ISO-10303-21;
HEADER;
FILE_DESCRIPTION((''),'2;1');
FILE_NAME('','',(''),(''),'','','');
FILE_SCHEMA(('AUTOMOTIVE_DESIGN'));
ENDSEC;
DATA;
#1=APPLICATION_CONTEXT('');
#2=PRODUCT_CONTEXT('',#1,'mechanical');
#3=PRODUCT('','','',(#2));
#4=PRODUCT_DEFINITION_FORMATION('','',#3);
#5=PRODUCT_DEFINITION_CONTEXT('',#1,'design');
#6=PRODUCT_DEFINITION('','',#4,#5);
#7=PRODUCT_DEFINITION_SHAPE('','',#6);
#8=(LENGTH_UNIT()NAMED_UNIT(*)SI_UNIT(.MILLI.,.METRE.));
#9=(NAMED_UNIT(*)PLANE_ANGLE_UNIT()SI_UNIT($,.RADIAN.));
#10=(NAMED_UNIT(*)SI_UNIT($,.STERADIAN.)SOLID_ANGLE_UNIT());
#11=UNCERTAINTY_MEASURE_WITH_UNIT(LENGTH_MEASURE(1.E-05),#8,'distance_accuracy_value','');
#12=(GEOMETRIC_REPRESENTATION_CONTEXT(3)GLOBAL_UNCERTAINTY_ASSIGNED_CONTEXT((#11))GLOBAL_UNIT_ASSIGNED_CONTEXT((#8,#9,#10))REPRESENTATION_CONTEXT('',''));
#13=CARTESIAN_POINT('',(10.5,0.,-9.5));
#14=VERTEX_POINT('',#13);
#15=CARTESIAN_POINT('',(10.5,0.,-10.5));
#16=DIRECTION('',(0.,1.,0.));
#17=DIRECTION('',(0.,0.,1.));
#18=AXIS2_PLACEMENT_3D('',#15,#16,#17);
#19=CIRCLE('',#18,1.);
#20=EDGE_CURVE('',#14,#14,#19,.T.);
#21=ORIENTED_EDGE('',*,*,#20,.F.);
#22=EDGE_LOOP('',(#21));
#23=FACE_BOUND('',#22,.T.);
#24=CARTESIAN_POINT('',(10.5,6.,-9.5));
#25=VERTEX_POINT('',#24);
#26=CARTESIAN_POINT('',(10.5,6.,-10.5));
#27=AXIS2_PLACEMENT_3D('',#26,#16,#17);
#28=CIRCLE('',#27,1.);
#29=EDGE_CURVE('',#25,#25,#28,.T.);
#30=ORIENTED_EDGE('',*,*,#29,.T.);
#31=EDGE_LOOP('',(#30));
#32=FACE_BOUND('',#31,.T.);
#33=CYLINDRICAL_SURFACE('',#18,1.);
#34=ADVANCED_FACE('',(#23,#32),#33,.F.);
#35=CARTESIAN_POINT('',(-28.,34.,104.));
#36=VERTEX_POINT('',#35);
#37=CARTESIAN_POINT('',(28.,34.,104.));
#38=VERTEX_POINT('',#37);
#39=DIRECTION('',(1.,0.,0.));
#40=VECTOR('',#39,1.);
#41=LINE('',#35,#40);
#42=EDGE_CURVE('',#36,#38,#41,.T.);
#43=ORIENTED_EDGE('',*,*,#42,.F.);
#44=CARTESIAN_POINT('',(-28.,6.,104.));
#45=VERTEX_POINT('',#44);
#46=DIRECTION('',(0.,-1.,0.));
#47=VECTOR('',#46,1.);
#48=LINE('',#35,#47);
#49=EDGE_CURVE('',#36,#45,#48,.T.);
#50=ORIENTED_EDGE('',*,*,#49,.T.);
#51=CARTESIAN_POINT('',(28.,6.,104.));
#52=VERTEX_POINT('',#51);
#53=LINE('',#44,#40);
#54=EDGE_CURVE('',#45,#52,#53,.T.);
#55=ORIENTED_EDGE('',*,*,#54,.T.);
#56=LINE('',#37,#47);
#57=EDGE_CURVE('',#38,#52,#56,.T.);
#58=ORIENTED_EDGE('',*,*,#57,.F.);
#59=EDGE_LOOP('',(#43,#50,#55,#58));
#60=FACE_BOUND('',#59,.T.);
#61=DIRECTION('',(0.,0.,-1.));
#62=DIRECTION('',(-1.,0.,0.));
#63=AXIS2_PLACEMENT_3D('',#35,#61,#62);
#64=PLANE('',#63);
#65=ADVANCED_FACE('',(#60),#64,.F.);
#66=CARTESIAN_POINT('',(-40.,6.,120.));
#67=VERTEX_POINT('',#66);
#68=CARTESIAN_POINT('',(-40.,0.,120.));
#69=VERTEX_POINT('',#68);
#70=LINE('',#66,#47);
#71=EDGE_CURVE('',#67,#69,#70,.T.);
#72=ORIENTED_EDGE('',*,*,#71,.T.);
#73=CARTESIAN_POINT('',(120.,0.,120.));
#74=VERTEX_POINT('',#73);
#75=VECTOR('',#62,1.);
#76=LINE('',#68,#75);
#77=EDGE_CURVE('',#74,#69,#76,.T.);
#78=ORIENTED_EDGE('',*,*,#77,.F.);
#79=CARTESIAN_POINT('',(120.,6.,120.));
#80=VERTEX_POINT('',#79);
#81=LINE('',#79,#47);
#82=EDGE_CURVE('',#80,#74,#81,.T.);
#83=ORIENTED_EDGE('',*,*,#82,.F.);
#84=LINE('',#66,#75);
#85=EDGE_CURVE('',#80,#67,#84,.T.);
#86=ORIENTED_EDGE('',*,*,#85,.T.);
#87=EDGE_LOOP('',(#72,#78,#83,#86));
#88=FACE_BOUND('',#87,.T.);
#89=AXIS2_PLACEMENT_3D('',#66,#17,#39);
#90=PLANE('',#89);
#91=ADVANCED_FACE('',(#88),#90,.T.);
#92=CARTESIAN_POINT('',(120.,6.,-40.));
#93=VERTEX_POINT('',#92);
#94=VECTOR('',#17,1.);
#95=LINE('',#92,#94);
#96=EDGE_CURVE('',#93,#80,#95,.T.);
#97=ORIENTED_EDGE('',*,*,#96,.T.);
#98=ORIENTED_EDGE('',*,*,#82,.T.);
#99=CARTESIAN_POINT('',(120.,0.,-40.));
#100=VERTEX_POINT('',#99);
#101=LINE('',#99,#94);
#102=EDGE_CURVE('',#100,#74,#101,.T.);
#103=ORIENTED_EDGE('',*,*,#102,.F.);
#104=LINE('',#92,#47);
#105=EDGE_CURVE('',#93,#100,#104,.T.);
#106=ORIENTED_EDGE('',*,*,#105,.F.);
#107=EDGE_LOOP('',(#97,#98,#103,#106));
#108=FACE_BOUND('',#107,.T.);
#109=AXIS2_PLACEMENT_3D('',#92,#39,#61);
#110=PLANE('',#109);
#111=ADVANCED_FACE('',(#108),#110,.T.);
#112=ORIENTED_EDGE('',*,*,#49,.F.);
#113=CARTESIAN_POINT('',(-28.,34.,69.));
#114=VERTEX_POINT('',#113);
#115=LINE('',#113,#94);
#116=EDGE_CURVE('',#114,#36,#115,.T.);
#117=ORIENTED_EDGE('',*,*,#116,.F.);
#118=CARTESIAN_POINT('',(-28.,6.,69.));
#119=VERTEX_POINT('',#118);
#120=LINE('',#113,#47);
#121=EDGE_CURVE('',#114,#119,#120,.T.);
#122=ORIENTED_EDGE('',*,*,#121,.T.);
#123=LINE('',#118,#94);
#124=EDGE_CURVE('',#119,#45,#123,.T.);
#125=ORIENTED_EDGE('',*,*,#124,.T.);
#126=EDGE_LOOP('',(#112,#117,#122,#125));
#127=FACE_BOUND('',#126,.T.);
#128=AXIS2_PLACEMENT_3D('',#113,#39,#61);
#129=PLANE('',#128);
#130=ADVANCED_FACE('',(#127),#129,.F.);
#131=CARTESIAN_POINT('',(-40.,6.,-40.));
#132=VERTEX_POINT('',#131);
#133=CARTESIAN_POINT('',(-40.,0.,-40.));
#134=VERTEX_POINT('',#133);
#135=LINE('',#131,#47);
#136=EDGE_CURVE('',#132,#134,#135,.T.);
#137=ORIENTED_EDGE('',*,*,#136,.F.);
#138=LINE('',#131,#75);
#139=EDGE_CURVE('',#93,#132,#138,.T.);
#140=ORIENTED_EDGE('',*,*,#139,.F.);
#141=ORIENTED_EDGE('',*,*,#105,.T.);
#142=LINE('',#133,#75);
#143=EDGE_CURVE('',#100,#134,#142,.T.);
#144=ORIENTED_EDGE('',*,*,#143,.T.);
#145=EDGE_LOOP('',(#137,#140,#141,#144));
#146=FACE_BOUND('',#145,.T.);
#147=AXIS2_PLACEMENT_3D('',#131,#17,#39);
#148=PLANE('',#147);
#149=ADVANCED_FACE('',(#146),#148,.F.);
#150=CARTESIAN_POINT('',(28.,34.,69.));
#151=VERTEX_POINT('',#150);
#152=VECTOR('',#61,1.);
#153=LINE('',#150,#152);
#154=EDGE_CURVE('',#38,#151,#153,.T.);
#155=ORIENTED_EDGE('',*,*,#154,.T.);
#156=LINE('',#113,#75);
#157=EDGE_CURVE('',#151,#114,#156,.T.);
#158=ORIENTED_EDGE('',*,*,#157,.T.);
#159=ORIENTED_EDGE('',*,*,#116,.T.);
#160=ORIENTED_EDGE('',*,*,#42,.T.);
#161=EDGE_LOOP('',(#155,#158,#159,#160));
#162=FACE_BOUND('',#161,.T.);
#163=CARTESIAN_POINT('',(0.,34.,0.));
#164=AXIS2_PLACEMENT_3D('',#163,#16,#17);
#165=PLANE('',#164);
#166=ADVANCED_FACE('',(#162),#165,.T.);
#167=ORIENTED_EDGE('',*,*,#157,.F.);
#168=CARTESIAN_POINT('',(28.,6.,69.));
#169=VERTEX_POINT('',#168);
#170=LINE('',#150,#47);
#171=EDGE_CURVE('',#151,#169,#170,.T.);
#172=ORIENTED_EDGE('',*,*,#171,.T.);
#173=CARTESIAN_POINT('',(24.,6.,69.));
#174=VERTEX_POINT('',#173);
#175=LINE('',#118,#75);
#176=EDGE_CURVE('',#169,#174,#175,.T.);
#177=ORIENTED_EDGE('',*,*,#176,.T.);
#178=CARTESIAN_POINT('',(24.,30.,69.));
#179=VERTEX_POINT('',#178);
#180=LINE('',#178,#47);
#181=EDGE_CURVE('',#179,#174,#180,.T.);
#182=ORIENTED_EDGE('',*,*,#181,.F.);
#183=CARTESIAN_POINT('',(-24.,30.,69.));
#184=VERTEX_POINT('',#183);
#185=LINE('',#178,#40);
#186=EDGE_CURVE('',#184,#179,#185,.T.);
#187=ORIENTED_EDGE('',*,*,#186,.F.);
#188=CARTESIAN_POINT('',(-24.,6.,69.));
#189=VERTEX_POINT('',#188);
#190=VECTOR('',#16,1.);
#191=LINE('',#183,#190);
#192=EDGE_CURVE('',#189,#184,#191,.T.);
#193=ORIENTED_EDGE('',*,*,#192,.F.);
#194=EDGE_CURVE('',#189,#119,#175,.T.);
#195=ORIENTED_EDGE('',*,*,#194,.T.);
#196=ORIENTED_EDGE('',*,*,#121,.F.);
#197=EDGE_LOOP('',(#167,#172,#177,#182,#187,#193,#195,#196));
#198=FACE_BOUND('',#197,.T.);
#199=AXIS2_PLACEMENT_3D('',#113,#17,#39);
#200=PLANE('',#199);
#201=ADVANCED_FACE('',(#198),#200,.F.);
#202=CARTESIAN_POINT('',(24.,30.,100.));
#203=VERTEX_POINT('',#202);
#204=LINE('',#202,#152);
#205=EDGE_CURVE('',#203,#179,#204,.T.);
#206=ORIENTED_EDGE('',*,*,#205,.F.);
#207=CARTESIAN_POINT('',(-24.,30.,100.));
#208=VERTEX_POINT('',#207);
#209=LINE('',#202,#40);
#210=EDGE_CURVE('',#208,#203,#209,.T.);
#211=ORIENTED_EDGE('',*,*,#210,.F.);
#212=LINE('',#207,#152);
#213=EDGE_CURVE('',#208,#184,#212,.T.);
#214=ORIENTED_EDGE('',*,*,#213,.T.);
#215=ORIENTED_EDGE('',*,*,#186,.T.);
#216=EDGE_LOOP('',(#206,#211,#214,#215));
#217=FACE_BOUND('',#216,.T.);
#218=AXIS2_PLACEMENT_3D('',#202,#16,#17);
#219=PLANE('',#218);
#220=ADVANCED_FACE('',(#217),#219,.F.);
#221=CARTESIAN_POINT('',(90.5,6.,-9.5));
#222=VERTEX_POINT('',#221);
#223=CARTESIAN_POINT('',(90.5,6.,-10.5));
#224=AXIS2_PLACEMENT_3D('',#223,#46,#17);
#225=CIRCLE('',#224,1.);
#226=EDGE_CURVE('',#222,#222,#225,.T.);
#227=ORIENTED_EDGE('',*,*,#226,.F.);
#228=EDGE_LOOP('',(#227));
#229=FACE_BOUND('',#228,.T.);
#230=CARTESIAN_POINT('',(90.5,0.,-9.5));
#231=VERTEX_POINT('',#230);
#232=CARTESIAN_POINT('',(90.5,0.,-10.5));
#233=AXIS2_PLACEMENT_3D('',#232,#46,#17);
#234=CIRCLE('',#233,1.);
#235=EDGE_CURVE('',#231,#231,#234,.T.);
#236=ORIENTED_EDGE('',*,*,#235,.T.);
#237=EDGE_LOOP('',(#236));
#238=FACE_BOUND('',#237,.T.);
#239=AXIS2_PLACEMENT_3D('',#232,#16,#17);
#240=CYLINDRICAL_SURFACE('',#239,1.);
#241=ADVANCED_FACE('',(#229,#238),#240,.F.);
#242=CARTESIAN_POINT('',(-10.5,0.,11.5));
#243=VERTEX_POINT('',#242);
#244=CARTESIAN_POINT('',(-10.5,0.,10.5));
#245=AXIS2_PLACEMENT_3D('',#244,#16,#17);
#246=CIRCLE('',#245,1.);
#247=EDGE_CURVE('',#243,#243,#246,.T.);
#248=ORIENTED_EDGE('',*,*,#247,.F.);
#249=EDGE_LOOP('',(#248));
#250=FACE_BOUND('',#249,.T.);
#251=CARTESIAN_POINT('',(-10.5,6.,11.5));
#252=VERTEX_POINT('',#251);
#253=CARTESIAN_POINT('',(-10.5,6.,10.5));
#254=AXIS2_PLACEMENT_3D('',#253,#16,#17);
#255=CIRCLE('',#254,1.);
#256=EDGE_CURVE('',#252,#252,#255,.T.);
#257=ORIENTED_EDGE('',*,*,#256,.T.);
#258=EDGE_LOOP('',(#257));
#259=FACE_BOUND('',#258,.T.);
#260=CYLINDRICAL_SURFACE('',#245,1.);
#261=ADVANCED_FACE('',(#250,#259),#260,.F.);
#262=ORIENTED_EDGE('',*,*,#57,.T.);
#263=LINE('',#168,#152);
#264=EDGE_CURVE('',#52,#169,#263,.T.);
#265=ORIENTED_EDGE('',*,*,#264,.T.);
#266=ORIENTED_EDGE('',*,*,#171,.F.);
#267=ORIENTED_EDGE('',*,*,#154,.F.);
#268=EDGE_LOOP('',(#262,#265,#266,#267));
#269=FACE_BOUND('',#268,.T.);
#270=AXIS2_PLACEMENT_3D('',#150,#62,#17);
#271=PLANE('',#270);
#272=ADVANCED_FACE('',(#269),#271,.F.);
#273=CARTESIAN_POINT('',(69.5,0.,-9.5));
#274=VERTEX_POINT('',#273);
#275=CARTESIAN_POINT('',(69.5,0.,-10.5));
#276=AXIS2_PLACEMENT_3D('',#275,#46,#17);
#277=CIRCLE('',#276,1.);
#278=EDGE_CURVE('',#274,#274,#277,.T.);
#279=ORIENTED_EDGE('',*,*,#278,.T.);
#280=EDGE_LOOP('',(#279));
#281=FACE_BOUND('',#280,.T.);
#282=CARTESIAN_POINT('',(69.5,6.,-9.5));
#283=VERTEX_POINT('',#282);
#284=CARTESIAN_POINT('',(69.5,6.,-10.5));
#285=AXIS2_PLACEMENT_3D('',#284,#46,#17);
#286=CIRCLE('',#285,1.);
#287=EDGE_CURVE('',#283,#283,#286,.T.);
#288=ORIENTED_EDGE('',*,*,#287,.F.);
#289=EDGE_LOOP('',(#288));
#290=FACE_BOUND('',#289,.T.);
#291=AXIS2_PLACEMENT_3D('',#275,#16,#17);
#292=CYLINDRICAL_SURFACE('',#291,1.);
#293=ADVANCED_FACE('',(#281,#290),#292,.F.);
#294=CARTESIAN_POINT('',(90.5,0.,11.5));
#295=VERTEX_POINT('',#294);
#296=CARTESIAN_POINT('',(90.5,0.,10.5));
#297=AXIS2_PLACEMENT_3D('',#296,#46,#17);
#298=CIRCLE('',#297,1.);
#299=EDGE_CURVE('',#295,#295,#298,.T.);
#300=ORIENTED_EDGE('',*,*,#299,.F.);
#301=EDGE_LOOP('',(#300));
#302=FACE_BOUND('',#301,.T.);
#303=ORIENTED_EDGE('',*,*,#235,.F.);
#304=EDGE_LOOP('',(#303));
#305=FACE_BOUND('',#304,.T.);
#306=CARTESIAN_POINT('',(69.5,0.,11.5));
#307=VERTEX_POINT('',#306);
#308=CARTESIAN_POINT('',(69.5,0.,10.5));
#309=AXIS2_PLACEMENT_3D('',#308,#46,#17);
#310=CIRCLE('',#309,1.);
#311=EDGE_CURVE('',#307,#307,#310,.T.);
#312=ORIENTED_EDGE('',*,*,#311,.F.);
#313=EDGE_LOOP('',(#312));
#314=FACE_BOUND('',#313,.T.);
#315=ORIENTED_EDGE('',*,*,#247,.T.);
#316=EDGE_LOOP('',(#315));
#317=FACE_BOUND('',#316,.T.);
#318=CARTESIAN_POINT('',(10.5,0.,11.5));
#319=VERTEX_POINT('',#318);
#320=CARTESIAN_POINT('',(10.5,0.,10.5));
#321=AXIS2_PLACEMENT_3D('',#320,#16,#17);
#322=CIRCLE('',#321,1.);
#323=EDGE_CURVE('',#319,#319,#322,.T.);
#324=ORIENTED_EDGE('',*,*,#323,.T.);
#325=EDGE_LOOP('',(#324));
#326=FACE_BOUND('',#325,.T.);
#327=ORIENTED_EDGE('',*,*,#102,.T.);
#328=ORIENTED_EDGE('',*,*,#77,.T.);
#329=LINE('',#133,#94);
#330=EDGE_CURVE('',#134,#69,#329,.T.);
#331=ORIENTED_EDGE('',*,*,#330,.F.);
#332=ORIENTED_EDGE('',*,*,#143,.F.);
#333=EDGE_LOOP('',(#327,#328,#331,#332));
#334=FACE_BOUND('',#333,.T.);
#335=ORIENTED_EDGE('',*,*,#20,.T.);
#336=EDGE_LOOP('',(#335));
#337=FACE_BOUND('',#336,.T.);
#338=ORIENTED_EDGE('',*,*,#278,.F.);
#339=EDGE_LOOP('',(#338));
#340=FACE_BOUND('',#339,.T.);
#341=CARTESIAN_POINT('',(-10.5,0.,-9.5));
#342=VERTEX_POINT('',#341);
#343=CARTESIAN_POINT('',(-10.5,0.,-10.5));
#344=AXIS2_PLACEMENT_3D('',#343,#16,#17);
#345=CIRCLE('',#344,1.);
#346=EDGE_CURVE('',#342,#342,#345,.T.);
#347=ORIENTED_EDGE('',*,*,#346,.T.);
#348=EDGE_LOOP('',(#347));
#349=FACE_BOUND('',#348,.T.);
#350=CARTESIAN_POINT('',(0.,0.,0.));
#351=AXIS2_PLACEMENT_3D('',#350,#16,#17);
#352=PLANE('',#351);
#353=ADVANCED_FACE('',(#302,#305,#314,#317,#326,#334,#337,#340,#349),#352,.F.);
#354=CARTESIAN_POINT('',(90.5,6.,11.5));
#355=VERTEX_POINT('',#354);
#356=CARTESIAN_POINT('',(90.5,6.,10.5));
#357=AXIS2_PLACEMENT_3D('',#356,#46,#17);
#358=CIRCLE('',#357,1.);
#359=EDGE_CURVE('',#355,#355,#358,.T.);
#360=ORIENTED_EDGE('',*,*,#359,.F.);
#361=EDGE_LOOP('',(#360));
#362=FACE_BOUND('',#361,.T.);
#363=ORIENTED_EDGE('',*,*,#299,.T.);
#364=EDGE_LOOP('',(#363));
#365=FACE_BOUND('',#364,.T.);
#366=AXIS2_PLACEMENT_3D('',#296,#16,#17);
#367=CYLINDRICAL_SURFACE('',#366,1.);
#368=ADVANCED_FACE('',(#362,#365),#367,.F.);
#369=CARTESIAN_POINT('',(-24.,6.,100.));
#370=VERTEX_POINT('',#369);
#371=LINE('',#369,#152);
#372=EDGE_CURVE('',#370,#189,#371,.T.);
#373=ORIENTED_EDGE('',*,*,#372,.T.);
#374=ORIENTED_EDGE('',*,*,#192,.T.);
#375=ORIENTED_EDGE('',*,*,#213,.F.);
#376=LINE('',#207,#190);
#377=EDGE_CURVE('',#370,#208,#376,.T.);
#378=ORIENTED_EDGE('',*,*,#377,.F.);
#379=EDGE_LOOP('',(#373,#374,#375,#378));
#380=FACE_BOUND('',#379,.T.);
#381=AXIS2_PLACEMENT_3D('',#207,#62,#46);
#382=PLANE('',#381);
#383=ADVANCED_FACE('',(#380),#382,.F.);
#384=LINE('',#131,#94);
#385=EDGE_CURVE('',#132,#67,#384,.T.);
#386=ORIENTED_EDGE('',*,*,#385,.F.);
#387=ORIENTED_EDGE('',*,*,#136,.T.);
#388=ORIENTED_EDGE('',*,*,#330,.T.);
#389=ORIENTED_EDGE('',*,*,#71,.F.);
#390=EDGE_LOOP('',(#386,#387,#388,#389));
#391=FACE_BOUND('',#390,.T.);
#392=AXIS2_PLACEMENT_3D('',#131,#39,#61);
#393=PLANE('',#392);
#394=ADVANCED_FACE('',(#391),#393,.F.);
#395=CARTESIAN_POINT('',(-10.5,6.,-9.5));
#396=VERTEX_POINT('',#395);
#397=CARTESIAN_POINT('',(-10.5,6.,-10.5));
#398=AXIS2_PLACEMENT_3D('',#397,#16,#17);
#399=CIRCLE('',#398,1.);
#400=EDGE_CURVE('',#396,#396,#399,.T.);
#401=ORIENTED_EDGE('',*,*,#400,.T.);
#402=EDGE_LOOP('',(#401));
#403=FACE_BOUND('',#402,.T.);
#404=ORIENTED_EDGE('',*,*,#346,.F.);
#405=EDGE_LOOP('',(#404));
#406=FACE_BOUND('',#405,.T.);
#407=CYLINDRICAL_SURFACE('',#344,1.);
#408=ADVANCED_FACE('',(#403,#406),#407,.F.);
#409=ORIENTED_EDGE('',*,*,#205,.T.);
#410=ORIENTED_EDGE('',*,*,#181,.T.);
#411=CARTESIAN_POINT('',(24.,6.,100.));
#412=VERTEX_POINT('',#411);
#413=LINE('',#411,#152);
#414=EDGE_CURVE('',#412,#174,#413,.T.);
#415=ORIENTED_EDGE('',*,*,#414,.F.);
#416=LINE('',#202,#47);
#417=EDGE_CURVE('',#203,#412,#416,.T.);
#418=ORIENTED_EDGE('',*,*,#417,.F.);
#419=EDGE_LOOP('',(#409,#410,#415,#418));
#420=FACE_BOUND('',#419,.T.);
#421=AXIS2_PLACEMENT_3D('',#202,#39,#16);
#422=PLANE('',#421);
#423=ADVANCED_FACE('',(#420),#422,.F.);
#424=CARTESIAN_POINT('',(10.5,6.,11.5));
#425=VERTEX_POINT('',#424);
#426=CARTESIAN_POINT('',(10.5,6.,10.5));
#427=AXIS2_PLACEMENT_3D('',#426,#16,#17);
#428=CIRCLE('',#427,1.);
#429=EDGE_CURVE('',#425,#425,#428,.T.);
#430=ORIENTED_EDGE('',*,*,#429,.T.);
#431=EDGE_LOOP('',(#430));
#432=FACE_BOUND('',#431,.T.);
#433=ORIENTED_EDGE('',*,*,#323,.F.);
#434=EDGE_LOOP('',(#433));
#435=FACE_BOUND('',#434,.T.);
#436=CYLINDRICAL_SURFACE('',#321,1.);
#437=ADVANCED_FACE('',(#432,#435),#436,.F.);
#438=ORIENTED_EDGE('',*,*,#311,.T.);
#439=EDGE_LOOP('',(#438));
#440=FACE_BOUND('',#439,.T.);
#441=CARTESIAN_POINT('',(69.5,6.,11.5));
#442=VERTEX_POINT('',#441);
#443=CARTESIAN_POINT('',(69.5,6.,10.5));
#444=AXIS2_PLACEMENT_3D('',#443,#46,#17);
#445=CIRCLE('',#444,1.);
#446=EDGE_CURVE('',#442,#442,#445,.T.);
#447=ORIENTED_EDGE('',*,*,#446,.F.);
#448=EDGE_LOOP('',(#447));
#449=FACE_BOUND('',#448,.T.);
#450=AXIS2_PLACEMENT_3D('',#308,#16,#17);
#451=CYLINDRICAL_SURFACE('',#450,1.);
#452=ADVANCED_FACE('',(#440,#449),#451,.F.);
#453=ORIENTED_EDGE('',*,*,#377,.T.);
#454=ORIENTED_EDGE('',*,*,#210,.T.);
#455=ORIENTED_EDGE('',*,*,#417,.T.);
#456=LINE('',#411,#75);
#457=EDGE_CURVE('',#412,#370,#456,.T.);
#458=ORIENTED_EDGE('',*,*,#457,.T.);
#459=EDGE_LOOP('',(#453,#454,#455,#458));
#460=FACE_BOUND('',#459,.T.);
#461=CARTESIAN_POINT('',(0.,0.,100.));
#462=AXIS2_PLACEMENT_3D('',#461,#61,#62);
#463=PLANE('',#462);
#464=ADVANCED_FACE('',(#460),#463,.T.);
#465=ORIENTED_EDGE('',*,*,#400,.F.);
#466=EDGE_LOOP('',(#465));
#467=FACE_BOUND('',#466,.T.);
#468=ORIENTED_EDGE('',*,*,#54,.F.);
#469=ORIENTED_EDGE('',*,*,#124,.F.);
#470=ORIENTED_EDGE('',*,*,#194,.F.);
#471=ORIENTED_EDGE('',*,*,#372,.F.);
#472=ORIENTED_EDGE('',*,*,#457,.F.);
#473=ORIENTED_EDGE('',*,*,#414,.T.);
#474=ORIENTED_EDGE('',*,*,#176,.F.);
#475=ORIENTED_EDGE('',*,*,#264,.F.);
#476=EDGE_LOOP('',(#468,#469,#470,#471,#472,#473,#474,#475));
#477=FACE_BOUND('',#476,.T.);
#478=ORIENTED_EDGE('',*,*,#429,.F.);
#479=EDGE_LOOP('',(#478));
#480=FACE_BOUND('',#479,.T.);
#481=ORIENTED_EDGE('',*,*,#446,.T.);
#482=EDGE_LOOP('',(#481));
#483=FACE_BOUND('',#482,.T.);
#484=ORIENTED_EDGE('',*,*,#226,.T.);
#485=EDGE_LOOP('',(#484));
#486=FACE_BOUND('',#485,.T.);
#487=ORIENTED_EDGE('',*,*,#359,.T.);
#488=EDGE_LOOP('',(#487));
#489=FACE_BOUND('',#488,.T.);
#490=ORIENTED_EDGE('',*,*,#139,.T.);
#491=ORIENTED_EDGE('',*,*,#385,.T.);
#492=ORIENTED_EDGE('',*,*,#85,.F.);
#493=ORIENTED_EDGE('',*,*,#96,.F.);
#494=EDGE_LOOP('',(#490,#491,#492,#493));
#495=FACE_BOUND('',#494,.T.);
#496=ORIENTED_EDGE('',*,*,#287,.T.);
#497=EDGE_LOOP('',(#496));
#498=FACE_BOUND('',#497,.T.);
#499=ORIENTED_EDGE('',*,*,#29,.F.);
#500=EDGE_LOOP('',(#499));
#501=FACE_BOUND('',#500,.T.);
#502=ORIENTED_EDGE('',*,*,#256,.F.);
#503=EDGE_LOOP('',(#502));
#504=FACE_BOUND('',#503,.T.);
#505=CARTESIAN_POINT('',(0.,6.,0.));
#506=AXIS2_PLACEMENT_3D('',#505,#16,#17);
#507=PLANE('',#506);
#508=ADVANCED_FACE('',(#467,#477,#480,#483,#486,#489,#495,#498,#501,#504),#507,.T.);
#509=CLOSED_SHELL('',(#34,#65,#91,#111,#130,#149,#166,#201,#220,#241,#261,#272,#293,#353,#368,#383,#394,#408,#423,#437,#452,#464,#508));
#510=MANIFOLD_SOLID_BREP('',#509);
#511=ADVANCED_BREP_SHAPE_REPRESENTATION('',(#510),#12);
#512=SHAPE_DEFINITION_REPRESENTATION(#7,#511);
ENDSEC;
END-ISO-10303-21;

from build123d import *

# Parameters (mm, degrees)
SKETCH_1_W          = 80
SKETCH_1_H          = 80
EXTRUDE_1_DEPTH     = 6
SKETCH_2_R          = 1
CUT_EXTRUDE_1_DEPTH = 57.885850613
SKETCH_3_W          = 80
SKETCH_3_H          = 6
EXTRUDE_2_DEPTH     = 80
SKETCH_4_W          = 56
SKETCH_4_H          = 35
EXTRUDE_3_DEPTH     = 28
SKETCH_5_W          = 48
SKETCH_5_H          = 24
CUT_EXTRUDE_2_DEPTH = 31


with BuildPart() as part:
    # ｽｹｯﾁ1 → ﾎﾞｽ - 押し出し1 (new body)
    with BuildSketch(Plane(origin=(0, 0, 0), x_dir=(1, 0, 0), z_dir=(0, 1, 0))):
        Rectangle(SKETCH_1_W, SKETCH_1_H)
    extrude_1 = extrude(amount=EXTRUDE_1_DEPTH)

    # ｽｹｯﾁ2 → ｶｯﾄ - 押し出し1 (cut, through all)
    with BuildSketch(Plane(origin=(0, 6, 0), x_dir=(1, 0, 0), z_dir=(0, 1, 0))):
        with Locations(Location((-10.5, 10.5, 0), (0, 0, 270))):
            Circle(SKETCH_2_R)
        with Locations(Location((10.5, 10.5, 0), (0, 0, 270))):
            Circle(SKETCH_2_R)
        with Locations(Location((10.5, -10.5, 0), (0, 0, 270))):
            Circle(SKETCH_2_R)
        with Locations(Location((-10.5, -10.5, 0), (0, 0, 270))):
            Circle(SKETCH_2_R)
    cut_extrude_1 = extrude(amount=-CUT_EXTRUDE_1_DEPTH, mode=Mode.SUBTRACT)

    # ﾐﾗｰ9: ﾎﾞｽ - 押し出し1, ｶｯﾄ - 押し出し1 across plane
    add(extrude_1.mirror(Plane(origin=(40, 6, -40), x_dir=(0, 0, 1), z_dir=(-1, 0, 0))))
    add(cut_extrude_1.mirror(Plane(origin=(40, 6, -40), x_dir=(0, 0, 1), z_dir=(-1, 0, 0))), mode=Mode.SUBTRACT)

    # ﾐﾗｰ10: ﾎﾞｽ - 押し出し1 across plane
    add(extrude_1.mirror(Plane(origin=(-40, 6, 40), x_dir=(1, 0, 0), z_dir=(0, 0, -1))))

    # ｽｹｯﾁ3 → ﾎﾞｽ - 押し出し2 (add)
    with BuildSketch(Plane(origin=(40, 0, 0), x_dir=(0, 0, -1), z_dir=(1, 0, 0))):
        with Locations((-80, 3)):
            Rectangle(SKETCH_3_W, SKETCH_3_H)
    extrude(amount=EXTRUDE_2_DEPTH)

    # ｽｹｯﾁ4 → ﾎﾞｽ - 押し出し3 (add)
    with BuildSketch(Plane(origin=(0, 6, 0), x_dir=(1, 0, 0), z_dir=(0, 1, 0))):
        with Locations((0, -86.5)):
            Rectangle(SKETCH_4_W, SKETCH_4_H)
    extrude(amount=EXTRUDE_3_DEPTH)

    # ｽｹｯﾁ5 → ｶｯﾄ - 押し出し2 (cut)
    with BuildSketch(Plane(origin=(0, 0, 69), x_dir=(-1, 0, 0), z_dir=(0, 0, -1))):
        with Locations((0, 18)):
            Rectangle(SKETCH_5_W, SKETCH_5_H)
    extrude(amount=-CUT_EXTRUDE_2_DEPTH, mode=Mode.SUBTRACT)


solid = part.part
